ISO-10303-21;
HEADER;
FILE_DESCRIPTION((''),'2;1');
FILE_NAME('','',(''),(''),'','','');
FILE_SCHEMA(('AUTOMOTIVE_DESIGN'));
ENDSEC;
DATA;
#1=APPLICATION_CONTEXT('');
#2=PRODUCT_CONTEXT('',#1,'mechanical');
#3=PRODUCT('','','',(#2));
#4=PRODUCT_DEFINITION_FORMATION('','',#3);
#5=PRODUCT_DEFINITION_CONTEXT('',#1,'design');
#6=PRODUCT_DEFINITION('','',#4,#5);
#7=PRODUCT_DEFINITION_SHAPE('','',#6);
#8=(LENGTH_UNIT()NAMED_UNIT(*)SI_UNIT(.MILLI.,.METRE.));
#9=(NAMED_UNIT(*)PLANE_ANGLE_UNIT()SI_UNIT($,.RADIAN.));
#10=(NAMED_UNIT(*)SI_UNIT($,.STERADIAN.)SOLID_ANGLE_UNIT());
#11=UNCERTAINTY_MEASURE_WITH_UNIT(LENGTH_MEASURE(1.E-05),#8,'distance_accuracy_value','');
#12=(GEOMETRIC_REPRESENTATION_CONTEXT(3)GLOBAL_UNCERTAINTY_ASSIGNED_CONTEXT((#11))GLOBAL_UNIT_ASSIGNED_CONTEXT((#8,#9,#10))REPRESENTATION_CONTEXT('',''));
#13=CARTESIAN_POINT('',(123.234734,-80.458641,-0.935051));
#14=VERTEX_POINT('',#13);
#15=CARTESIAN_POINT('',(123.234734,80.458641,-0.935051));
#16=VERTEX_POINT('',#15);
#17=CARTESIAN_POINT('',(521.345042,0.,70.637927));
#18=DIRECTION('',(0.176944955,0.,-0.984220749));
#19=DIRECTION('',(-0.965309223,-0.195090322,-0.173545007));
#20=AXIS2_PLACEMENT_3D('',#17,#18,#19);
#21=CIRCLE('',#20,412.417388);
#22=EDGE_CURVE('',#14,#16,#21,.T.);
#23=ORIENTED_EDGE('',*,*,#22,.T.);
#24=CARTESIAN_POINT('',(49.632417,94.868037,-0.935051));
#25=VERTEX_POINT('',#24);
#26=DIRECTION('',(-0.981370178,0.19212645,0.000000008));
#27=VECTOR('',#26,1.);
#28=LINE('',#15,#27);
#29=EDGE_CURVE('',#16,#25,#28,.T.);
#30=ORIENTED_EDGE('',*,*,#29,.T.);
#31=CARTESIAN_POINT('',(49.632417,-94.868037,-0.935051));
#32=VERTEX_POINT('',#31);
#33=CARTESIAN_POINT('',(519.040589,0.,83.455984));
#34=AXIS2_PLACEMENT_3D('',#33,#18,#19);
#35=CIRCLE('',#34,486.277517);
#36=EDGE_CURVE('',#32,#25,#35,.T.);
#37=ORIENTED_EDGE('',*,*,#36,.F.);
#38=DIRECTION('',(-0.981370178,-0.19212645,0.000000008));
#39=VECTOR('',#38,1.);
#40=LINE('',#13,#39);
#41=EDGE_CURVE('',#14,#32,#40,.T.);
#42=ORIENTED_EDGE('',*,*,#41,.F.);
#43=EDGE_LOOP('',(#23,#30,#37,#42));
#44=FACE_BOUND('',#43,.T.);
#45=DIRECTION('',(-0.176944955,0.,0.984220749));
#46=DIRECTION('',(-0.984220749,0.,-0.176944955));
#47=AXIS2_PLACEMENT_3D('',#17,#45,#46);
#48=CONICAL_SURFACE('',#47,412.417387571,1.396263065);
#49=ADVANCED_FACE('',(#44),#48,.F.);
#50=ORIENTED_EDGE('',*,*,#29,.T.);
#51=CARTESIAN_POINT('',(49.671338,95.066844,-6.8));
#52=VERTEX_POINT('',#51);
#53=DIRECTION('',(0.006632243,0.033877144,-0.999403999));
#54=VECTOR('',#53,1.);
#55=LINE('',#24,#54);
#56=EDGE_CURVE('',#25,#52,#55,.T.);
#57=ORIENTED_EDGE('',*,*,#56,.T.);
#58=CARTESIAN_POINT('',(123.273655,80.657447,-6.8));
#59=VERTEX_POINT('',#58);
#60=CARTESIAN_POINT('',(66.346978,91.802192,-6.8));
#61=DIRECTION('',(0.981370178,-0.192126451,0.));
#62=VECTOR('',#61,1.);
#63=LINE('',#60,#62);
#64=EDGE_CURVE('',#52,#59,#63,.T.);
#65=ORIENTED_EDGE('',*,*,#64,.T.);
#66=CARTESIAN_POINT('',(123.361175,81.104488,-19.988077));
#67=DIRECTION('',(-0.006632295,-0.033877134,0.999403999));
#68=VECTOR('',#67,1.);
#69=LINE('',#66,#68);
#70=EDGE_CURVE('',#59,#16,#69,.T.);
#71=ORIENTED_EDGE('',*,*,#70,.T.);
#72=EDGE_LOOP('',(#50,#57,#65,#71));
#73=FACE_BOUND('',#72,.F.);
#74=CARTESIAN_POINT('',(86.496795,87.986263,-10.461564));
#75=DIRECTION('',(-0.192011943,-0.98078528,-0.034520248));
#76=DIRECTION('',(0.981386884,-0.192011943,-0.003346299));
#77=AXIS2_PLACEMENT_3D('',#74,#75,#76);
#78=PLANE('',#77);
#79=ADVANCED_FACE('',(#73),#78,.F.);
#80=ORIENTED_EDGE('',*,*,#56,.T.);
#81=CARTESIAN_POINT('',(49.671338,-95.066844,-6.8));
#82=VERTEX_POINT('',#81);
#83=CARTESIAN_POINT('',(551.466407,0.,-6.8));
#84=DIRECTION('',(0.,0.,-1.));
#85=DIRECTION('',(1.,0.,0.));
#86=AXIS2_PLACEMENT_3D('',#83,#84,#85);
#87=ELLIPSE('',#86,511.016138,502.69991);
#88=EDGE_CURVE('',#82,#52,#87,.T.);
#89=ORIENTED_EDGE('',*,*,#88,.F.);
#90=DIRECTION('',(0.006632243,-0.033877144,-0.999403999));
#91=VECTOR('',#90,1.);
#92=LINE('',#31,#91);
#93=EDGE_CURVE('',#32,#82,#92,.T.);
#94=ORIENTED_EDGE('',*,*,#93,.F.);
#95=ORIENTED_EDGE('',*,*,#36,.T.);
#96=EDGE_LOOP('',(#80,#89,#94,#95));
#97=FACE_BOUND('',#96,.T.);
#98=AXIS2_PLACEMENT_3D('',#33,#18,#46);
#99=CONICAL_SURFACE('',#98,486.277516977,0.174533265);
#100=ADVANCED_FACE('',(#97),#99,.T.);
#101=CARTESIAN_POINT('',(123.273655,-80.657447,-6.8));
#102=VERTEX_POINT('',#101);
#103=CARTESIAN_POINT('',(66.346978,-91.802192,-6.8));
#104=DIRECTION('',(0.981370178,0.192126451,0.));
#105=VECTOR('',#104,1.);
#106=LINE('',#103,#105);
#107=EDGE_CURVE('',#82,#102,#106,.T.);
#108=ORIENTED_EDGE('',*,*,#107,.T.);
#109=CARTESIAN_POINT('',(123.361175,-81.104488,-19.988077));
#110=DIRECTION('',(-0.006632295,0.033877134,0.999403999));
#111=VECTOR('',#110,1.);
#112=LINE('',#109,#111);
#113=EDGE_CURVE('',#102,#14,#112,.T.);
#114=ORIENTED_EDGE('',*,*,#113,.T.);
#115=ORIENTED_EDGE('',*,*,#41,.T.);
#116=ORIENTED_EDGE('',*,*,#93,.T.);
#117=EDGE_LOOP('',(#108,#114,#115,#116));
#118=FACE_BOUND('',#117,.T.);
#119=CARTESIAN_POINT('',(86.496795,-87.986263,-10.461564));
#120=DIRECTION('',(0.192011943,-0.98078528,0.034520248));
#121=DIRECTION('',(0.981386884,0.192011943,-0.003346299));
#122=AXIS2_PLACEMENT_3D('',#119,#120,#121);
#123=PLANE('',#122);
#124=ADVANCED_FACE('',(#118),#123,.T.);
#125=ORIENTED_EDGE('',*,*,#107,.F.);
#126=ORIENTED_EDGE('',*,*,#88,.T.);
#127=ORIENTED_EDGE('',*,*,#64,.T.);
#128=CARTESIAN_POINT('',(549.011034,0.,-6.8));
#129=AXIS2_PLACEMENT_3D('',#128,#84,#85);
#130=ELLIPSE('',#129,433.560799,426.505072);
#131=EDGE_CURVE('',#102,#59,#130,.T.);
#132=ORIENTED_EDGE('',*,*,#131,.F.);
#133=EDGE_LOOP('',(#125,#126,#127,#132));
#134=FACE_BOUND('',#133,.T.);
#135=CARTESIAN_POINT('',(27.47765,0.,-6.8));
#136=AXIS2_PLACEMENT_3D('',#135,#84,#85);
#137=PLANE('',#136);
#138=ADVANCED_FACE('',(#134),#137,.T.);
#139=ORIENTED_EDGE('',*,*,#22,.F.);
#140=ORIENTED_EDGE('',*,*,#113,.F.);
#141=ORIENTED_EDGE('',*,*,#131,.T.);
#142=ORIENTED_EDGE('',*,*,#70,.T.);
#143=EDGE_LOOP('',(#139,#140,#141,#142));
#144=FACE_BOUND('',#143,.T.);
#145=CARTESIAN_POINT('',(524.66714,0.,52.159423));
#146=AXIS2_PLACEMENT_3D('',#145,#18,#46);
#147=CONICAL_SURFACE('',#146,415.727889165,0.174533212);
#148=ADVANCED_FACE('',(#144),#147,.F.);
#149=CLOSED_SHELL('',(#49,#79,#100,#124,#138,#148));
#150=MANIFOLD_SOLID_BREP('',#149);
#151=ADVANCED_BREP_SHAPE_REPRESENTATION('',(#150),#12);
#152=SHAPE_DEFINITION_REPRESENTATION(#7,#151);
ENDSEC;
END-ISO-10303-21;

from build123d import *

# Parameters (mm, degrees)
F1_ANGLE = 22.5
F2_W     = 113.060908
F2_H     = 24.353005
F3_DEPTH = 120


with BuildPart() as f1:
    # F0 (on Front) → F1 (revolve, symmetric)
    with BuildSketch(Plane.XZ) as f1_sk:
        Polygon((40.436167, -2.588369), (40.5, -21.652651), (115.499126, -21.40153), (115.435292, -2.337249), align=None)
    revolve(axis=Axis((525.838809, 0, 45.642252), (-0.176945, 0, 0.984221)), revolution_arc=F1_ANGLE / 2)
    revolve(f1_sk.sketch, axis=Axis((525.838809, 0, 45.642252), (0.176945, 0, -0.984221)), revolution_arc=F1_ANGLE / 2)

    # F2 (on Front) → F3 (cut, symmetric)
    with BuildSketch(Plane.XZ):
        with Locations((84.008104, -18.976502)):
            Rectangle(F2_W, F2_H)
    extrude(amount=F3_DEPTH, both=True, mode=Mode.SUBTRACT)


solid = f1.part
